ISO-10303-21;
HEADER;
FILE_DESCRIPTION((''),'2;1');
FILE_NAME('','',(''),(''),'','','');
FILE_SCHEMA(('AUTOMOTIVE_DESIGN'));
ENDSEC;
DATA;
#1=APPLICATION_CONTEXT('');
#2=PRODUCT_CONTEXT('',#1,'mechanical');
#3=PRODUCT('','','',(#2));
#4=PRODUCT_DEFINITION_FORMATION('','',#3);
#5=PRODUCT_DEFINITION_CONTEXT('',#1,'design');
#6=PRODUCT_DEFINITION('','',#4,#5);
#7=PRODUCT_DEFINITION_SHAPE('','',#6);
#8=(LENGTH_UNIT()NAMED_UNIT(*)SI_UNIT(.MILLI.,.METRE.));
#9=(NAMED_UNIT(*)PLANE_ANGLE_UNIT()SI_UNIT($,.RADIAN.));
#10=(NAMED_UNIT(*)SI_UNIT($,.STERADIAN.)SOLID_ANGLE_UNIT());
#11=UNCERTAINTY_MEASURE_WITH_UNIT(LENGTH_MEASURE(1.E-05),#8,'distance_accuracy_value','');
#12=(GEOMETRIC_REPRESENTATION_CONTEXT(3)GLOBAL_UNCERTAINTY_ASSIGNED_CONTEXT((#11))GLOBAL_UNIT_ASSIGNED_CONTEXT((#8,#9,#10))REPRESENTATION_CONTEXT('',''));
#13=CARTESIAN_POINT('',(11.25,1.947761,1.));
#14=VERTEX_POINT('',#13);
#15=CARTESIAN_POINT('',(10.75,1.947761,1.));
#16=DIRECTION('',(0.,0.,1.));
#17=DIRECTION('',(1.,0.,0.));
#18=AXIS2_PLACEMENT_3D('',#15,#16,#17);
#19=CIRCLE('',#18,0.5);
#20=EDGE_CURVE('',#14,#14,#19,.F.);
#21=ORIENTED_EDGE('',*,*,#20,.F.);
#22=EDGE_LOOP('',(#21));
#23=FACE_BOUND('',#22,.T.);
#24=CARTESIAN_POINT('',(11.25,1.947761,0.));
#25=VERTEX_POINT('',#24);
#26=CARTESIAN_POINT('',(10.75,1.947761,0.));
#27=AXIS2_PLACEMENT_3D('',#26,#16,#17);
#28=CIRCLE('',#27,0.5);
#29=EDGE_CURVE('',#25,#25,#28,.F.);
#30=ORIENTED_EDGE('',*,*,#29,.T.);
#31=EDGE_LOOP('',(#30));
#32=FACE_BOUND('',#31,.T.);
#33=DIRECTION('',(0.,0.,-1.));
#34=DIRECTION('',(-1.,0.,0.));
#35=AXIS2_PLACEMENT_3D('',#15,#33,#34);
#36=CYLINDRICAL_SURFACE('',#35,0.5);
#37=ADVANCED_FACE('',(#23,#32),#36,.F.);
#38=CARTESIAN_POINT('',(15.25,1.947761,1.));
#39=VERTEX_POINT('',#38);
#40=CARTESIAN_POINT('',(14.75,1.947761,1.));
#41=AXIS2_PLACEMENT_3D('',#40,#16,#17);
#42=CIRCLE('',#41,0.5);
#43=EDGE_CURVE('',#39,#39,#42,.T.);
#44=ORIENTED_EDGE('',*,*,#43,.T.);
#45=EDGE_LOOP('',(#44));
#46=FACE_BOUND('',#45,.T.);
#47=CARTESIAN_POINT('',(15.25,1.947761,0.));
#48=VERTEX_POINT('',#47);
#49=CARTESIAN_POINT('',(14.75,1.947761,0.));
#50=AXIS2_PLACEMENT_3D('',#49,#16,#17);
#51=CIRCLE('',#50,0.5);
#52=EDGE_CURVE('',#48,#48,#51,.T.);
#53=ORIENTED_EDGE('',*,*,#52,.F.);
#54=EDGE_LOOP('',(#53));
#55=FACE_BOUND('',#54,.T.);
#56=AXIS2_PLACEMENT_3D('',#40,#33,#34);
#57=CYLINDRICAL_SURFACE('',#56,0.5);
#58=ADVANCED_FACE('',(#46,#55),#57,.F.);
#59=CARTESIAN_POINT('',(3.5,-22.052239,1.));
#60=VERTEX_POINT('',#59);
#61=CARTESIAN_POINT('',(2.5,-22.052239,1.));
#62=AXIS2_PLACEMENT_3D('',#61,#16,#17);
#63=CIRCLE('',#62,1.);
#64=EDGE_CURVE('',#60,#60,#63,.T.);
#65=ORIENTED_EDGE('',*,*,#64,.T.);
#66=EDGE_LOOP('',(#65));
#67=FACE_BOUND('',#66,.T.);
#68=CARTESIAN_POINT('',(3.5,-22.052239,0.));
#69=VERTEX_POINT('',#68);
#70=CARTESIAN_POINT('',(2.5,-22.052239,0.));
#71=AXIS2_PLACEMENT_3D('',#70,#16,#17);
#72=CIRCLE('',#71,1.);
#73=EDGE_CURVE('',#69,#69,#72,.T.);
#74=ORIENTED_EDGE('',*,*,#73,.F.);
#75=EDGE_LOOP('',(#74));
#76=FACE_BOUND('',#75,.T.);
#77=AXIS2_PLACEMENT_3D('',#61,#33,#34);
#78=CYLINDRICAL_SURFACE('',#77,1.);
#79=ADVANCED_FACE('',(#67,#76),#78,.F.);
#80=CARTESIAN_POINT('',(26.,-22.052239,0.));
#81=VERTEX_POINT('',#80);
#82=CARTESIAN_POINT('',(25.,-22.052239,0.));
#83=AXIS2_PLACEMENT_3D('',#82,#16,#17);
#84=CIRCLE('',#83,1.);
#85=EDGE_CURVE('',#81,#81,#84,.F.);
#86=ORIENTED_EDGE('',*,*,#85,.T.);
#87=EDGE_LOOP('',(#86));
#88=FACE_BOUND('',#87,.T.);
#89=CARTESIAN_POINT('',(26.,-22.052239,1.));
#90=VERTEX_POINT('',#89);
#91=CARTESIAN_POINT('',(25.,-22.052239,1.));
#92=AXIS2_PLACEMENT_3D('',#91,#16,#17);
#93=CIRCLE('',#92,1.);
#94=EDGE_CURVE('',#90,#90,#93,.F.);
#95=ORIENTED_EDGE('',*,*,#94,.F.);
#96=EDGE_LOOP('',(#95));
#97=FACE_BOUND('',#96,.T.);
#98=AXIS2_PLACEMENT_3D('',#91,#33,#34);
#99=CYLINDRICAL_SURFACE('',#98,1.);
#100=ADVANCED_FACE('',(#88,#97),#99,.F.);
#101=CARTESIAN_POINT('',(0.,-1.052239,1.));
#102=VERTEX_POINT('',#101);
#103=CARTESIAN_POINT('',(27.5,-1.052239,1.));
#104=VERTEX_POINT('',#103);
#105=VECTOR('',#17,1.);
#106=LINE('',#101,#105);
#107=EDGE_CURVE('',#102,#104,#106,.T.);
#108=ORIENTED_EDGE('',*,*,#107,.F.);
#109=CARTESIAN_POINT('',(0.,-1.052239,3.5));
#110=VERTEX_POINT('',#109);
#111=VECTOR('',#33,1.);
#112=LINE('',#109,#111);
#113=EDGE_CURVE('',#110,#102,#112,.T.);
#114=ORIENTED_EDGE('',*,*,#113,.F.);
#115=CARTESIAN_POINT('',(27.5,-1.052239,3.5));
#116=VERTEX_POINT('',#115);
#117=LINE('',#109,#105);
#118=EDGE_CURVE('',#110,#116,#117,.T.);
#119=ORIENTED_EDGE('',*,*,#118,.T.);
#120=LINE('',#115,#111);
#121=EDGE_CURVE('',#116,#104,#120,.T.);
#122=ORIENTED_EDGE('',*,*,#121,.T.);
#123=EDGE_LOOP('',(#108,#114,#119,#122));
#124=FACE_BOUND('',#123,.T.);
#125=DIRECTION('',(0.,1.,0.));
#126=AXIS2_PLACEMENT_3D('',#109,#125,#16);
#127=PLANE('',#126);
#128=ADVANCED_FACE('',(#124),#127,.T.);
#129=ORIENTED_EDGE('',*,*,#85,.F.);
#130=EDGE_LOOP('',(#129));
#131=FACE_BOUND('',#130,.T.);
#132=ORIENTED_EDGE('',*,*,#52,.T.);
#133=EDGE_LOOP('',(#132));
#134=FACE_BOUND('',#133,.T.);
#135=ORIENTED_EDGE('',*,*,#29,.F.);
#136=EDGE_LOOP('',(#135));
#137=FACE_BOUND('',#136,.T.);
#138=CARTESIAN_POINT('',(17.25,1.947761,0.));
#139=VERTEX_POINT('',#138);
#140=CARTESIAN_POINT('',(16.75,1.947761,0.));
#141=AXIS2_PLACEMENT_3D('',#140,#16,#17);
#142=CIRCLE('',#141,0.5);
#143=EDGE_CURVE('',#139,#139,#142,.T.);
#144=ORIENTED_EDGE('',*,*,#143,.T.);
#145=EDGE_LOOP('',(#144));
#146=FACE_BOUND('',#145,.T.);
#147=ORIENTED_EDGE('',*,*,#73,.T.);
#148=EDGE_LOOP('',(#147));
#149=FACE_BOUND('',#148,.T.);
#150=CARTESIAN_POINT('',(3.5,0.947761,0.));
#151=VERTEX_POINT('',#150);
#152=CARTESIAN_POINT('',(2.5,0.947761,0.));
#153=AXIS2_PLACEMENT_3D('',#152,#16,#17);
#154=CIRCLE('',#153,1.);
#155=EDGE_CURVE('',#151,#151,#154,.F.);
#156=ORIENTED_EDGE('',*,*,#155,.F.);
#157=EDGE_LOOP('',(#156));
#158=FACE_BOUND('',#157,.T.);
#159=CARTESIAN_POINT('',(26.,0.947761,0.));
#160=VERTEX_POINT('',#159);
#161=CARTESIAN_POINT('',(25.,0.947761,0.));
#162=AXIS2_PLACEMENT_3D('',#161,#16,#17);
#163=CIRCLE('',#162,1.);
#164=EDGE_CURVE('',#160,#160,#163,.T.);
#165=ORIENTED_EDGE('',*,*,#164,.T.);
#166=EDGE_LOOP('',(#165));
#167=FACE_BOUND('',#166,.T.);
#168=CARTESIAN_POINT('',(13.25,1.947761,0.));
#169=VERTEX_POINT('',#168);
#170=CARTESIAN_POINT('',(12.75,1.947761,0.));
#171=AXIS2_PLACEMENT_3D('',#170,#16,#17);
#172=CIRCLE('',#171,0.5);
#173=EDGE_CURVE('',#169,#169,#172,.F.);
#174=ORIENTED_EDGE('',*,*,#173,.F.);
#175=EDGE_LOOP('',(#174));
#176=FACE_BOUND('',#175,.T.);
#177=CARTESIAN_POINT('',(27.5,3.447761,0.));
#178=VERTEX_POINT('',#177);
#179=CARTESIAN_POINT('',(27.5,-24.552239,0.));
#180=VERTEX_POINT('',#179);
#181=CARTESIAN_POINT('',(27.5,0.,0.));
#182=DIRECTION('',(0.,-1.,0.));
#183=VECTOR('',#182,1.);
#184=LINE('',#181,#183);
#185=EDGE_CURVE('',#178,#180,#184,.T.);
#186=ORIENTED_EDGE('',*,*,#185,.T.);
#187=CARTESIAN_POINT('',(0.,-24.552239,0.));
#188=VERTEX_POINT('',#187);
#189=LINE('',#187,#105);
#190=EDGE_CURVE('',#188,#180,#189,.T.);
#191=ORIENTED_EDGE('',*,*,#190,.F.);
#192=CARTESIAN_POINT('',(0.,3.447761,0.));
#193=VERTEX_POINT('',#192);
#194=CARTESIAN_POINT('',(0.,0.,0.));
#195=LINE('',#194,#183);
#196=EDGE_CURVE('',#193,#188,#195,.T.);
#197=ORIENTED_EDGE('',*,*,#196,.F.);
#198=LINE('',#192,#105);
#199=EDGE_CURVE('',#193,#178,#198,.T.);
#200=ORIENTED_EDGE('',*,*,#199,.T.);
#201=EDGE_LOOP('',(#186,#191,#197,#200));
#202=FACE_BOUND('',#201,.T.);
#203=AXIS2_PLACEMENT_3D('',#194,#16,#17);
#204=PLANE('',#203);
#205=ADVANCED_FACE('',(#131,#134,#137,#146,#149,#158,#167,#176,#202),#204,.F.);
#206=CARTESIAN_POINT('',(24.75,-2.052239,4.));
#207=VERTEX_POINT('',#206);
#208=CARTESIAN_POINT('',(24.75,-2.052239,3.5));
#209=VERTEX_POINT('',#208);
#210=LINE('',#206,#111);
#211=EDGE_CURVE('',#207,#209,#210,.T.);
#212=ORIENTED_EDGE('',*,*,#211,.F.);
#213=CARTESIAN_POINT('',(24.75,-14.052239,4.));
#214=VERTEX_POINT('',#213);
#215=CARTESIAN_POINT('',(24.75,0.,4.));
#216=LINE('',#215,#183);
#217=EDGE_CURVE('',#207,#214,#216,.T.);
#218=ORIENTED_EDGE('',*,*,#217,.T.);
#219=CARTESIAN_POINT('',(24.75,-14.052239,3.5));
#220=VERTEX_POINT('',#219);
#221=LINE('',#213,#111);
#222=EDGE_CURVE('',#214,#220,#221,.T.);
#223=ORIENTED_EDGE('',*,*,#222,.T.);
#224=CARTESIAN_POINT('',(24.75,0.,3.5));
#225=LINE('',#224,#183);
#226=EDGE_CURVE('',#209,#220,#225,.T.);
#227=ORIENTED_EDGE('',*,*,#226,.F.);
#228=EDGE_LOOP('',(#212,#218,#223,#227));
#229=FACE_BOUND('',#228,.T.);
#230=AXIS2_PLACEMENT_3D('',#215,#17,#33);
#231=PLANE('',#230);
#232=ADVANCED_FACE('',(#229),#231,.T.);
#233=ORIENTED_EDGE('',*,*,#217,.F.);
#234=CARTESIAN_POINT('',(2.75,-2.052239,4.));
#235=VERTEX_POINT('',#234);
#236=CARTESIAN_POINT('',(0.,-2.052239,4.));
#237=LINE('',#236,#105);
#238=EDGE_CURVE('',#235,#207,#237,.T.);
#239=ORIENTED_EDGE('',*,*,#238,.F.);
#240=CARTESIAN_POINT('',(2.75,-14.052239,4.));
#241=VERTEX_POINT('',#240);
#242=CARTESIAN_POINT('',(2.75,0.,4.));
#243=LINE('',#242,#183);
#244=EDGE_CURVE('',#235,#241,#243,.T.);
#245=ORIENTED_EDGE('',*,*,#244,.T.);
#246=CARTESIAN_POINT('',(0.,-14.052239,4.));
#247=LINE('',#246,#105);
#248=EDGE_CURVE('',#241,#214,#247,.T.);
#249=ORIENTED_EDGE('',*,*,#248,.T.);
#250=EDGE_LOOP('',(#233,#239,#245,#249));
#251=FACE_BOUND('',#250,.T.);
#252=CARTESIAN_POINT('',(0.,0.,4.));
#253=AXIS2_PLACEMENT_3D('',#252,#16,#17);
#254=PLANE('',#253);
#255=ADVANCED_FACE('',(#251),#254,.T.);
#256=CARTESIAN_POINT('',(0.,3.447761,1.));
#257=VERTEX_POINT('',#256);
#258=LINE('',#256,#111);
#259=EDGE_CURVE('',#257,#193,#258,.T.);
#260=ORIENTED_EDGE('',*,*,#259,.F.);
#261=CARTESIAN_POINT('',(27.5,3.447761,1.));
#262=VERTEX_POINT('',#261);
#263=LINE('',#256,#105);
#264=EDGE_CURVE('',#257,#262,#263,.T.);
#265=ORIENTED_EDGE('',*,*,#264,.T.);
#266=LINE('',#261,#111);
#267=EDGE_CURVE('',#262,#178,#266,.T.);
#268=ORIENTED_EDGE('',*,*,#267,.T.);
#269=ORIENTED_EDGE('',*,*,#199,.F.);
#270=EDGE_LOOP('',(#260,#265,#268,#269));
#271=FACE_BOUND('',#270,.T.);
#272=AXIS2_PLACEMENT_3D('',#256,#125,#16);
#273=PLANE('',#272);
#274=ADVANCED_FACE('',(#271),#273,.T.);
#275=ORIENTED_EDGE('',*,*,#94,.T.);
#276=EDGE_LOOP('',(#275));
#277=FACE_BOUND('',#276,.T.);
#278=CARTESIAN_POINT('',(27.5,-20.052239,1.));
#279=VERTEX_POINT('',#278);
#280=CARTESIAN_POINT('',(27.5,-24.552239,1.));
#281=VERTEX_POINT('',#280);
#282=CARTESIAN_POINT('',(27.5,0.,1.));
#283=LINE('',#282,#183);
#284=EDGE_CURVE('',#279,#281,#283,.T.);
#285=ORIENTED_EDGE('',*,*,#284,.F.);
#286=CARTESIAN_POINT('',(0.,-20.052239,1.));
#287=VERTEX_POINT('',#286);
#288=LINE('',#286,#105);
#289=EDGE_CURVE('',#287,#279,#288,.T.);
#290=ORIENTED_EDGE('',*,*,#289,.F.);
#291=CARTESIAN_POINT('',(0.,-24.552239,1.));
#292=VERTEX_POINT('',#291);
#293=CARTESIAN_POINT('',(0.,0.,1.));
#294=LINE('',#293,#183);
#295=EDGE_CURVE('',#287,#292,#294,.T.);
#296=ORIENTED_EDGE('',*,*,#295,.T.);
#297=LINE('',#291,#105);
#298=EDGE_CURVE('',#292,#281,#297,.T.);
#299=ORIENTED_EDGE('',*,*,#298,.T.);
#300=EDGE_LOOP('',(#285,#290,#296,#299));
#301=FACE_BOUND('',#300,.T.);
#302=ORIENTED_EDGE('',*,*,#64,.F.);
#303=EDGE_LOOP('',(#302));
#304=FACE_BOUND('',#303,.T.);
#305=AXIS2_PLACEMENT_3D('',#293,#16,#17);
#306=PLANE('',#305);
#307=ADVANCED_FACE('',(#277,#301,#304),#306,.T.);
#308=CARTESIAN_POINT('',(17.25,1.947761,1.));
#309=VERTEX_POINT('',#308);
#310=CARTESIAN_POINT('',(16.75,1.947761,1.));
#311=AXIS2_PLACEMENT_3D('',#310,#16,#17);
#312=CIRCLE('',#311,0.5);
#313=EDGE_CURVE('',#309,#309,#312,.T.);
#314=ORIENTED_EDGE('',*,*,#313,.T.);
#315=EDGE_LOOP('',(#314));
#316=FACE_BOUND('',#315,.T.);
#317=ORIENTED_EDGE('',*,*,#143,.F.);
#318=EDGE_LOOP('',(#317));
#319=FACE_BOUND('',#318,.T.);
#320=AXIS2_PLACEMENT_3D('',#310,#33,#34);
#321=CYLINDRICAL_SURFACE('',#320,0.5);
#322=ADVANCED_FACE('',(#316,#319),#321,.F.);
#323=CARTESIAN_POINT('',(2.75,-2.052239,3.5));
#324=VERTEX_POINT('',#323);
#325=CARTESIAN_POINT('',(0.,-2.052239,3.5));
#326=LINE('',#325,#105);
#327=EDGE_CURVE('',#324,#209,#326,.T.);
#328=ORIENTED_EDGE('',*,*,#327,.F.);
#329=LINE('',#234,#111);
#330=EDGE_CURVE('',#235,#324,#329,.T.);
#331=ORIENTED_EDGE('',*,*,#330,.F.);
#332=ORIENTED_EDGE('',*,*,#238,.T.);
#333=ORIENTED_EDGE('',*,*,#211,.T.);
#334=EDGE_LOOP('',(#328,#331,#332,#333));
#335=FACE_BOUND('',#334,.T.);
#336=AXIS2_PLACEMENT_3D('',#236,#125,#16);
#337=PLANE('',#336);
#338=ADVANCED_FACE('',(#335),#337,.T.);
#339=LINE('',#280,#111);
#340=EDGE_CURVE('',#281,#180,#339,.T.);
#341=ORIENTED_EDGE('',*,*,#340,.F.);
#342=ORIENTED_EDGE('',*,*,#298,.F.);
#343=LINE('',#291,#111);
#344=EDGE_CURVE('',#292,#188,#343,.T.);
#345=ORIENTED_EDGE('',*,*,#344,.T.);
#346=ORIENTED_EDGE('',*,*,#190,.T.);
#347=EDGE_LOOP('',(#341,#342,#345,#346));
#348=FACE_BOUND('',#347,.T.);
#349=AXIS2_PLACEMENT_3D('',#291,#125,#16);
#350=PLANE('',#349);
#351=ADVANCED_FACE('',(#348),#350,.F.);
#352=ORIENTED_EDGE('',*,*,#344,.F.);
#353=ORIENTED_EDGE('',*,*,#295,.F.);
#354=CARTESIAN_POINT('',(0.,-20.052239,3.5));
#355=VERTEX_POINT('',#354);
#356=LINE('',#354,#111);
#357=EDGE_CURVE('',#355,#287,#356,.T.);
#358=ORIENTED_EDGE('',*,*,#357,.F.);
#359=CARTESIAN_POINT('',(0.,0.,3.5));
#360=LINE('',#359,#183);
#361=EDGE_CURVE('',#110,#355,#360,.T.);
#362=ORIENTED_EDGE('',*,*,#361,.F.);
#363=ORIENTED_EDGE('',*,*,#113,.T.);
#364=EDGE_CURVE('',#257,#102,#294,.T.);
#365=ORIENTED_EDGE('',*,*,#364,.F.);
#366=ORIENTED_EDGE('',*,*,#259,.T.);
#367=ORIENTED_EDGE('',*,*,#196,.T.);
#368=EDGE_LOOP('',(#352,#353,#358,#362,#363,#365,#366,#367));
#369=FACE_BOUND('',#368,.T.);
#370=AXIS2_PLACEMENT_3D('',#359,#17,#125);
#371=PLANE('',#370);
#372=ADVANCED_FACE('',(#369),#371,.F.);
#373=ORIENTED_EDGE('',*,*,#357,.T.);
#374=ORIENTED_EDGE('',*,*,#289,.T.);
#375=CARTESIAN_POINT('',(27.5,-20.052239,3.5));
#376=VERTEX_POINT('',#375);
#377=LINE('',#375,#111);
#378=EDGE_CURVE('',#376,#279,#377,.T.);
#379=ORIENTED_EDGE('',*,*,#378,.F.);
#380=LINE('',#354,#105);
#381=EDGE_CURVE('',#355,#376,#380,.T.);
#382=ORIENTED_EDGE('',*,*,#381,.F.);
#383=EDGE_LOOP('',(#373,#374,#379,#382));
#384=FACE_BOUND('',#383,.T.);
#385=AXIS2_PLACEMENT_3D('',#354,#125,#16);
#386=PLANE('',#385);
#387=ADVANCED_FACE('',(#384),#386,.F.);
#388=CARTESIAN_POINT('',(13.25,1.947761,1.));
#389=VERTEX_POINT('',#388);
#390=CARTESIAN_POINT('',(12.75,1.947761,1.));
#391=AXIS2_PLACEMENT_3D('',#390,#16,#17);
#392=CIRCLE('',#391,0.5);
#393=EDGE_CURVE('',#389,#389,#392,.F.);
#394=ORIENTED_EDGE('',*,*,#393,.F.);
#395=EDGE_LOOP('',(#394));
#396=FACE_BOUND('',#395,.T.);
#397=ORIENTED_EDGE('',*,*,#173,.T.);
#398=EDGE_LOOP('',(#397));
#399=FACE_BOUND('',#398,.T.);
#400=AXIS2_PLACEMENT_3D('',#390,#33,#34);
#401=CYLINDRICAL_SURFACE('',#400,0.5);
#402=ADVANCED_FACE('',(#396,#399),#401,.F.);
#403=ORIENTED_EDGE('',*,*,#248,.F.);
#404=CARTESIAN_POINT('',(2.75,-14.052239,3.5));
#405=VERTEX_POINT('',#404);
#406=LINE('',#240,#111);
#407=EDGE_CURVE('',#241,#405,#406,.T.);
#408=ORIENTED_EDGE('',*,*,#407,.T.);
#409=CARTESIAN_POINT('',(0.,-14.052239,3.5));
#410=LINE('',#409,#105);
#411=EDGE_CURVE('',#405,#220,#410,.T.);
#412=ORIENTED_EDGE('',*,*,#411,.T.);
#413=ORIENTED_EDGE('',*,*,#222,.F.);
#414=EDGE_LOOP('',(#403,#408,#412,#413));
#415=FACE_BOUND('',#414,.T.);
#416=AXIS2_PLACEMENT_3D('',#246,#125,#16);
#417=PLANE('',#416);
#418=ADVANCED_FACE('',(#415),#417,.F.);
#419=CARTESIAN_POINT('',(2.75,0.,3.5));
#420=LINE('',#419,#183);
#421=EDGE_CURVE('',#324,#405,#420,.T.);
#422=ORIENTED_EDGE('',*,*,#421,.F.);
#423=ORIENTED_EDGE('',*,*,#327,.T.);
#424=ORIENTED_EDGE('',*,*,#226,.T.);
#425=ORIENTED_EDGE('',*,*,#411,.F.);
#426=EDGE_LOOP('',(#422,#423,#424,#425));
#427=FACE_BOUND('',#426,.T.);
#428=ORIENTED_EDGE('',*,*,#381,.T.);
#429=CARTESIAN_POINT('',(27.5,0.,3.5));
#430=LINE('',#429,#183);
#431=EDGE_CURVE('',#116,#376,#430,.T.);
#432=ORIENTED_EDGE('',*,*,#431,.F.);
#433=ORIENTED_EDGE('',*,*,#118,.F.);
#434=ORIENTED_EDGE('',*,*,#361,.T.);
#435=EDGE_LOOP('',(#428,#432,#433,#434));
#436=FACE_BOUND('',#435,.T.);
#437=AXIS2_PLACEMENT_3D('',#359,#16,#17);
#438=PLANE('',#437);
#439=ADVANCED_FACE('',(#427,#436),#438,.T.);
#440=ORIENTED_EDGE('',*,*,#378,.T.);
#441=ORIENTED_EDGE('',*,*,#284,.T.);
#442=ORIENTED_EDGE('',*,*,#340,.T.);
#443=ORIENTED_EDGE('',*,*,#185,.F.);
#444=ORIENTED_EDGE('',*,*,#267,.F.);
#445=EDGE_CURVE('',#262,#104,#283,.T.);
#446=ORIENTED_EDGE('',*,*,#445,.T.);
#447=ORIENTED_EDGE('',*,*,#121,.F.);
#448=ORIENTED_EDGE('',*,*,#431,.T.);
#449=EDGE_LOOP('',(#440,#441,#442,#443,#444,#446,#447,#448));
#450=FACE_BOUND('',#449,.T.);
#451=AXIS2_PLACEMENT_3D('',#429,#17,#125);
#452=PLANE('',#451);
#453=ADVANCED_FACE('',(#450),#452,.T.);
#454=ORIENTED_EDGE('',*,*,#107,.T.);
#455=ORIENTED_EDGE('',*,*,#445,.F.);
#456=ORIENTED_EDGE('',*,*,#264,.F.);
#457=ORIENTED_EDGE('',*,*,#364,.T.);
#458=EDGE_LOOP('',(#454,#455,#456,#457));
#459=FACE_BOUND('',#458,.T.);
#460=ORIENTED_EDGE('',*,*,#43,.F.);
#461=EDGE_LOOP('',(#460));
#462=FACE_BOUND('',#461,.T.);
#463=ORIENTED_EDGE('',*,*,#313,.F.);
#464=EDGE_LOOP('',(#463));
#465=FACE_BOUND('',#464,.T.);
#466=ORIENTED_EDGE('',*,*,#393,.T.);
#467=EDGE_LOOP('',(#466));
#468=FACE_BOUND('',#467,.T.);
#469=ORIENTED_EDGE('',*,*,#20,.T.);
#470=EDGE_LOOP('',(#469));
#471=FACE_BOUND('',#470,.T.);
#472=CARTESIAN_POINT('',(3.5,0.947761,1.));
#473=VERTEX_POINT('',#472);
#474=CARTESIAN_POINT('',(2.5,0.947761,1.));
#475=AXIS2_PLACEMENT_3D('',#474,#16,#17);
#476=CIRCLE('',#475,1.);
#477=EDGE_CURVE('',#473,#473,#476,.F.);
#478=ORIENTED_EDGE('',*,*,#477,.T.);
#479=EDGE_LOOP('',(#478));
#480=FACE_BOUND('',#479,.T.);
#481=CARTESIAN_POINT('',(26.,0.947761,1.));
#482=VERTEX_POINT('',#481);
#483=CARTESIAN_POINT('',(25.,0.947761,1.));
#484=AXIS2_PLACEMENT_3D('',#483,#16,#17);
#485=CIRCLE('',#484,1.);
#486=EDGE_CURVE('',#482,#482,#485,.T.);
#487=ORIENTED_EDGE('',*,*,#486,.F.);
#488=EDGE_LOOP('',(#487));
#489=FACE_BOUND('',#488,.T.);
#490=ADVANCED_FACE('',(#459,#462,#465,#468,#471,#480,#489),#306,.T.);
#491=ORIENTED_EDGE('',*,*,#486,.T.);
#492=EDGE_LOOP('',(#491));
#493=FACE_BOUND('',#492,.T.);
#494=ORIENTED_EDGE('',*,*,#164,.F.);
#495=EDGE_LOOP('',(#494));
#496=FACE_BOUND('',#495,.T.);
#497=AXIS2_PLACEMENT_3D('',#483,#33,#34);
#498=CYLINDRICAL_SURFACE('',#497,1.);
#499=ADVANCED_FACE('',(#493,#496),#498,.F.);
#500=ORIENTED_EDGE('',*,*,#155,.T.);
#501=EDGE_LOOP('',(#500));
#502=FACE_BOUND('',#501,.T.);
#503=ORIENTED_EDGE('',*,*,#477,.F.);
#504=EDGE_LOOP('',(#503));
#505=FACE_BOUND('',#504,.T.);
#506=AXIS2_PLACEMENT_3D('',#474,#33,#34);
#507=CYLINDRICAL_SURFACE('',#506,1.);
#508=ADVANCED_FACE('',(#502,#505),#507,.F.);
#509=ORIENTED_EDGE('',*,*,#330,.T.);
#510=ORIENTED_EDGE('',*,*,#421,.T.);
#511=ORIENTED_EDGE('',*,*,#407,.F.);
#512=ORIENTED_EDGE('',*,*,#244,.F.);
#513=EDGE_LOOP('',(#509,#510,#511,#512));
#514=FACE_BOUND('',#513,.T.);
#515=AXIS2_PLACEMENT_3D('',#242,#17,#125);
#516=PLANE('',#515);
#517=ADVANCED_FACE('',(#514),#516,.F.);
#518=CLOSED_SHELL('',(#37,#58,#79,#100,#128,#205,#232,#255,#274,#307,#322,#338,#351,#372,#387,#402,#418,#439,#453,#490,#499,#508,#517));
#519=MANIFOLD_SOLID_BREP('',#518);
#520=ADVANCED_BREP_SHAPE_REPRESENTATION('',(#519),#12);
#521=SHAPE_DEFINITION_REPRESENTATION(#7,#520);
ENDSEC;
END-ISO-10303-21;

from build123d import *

# Parameters (mm, degrees)
SKETCH1_W           = 27.5
SKETCH1_H           = 19
SKETCH1_W_2         = 22
SKETCH1_H_2         = 12
BOSS_EXTRUDE1_DEPTH = 3.5
SKETCH1_3_W         = 27.5
SKETCH1_3_H         = 4.5
SKETCH1_3_R         = 1
SKETCH1_3_R_2       = 0.5
BOSS_EXTRUDE2_DEPTH = 1
SKETCH1_4_W         = 22
SKETCH1_4_H         = 12
BOSS_EXTRUDE3_DEPTH = 4


with BuildPart() as part:
    # Sketch1 → Boss-Extrude1 (new body)
    with BuildSketch(Plane.XY):
        with Locations((13.75, -10.552238806)):
            Rectangle(SKETCH1_W, SKETCH1_H)
        with Locations((13.75, -8.052238806)):
            Rectangle(SKETCH1_W_2, SKETCH1_H_2, mode=Mode.SUBTRACT)
    extrude(amount=BOSS_EXTRUDE1_DEPTH)

    # Sketch1<3> → Boss-Extrude2 (add)
    # profile 1 of 2: a face of its own
    with BuildSketch(Plane.XY):
        with Locations((13.75, 1.197761194)):
            Rectangle(SKETCH1_3_W, SKETCH1_3_H)
        with Locations((2.5, 0.947761194)):
            Circle(SKETCH1_3_R, mode=Mode.SUBTRACT)
        with Locations((10.75, 1.947761194)):
            Circle(SKETCH1_3_R_2, mode=Mode.SUBTRACT)
        with Locations((12.75, 1.947761194)):
            Circle(SKETCH1_3_R_2, mode=Mode.SUBTRACT)
        with Locations((14.75, 1.947761194)):
            Circle(SKETCH1_3_R_2, mode=Mode.SUBTRACT)
        with Locations((16.75, 1.947761194)):
            Circle(SKETCH1_3_R_2, mode=Mode.SUBTRACT)
        with Locations((25, 0.947761194)):
            Circle(SKETCH1_3_R, mode=Mode.SUBTRACT)
    # profile 2 of 2: a face of its own
    with BuildSketch(Plane.XY):
        with Locations((13.75, -22.302238806)):
            Rectangle(SKETCH1_3_W, SKETCH1_3_H)
        with Locations((2.5, -22.052238806)):
            Circle(SKETCH1_3_R, mode=Mode.SUBTRACT)
        with Locations((25, -22.052238806)):
            Circle(SKETCH1_3_R, mode=Mode.SUBTRACT)
    extrude(amount=BOSS_EXTRUDE2_DEPTH)

    # Sketch1<4> → Boss-Extrude3 (add)
    with BuildSketch(Plane.XY):
        with Locations((13.75, -8.052238806)):
            Rectangle(SKETCH1_4_W, SKETCH1_4_H)
    extrude(amount=BOSS_EXTRUDE3_DEPTH)


solid = part.part
